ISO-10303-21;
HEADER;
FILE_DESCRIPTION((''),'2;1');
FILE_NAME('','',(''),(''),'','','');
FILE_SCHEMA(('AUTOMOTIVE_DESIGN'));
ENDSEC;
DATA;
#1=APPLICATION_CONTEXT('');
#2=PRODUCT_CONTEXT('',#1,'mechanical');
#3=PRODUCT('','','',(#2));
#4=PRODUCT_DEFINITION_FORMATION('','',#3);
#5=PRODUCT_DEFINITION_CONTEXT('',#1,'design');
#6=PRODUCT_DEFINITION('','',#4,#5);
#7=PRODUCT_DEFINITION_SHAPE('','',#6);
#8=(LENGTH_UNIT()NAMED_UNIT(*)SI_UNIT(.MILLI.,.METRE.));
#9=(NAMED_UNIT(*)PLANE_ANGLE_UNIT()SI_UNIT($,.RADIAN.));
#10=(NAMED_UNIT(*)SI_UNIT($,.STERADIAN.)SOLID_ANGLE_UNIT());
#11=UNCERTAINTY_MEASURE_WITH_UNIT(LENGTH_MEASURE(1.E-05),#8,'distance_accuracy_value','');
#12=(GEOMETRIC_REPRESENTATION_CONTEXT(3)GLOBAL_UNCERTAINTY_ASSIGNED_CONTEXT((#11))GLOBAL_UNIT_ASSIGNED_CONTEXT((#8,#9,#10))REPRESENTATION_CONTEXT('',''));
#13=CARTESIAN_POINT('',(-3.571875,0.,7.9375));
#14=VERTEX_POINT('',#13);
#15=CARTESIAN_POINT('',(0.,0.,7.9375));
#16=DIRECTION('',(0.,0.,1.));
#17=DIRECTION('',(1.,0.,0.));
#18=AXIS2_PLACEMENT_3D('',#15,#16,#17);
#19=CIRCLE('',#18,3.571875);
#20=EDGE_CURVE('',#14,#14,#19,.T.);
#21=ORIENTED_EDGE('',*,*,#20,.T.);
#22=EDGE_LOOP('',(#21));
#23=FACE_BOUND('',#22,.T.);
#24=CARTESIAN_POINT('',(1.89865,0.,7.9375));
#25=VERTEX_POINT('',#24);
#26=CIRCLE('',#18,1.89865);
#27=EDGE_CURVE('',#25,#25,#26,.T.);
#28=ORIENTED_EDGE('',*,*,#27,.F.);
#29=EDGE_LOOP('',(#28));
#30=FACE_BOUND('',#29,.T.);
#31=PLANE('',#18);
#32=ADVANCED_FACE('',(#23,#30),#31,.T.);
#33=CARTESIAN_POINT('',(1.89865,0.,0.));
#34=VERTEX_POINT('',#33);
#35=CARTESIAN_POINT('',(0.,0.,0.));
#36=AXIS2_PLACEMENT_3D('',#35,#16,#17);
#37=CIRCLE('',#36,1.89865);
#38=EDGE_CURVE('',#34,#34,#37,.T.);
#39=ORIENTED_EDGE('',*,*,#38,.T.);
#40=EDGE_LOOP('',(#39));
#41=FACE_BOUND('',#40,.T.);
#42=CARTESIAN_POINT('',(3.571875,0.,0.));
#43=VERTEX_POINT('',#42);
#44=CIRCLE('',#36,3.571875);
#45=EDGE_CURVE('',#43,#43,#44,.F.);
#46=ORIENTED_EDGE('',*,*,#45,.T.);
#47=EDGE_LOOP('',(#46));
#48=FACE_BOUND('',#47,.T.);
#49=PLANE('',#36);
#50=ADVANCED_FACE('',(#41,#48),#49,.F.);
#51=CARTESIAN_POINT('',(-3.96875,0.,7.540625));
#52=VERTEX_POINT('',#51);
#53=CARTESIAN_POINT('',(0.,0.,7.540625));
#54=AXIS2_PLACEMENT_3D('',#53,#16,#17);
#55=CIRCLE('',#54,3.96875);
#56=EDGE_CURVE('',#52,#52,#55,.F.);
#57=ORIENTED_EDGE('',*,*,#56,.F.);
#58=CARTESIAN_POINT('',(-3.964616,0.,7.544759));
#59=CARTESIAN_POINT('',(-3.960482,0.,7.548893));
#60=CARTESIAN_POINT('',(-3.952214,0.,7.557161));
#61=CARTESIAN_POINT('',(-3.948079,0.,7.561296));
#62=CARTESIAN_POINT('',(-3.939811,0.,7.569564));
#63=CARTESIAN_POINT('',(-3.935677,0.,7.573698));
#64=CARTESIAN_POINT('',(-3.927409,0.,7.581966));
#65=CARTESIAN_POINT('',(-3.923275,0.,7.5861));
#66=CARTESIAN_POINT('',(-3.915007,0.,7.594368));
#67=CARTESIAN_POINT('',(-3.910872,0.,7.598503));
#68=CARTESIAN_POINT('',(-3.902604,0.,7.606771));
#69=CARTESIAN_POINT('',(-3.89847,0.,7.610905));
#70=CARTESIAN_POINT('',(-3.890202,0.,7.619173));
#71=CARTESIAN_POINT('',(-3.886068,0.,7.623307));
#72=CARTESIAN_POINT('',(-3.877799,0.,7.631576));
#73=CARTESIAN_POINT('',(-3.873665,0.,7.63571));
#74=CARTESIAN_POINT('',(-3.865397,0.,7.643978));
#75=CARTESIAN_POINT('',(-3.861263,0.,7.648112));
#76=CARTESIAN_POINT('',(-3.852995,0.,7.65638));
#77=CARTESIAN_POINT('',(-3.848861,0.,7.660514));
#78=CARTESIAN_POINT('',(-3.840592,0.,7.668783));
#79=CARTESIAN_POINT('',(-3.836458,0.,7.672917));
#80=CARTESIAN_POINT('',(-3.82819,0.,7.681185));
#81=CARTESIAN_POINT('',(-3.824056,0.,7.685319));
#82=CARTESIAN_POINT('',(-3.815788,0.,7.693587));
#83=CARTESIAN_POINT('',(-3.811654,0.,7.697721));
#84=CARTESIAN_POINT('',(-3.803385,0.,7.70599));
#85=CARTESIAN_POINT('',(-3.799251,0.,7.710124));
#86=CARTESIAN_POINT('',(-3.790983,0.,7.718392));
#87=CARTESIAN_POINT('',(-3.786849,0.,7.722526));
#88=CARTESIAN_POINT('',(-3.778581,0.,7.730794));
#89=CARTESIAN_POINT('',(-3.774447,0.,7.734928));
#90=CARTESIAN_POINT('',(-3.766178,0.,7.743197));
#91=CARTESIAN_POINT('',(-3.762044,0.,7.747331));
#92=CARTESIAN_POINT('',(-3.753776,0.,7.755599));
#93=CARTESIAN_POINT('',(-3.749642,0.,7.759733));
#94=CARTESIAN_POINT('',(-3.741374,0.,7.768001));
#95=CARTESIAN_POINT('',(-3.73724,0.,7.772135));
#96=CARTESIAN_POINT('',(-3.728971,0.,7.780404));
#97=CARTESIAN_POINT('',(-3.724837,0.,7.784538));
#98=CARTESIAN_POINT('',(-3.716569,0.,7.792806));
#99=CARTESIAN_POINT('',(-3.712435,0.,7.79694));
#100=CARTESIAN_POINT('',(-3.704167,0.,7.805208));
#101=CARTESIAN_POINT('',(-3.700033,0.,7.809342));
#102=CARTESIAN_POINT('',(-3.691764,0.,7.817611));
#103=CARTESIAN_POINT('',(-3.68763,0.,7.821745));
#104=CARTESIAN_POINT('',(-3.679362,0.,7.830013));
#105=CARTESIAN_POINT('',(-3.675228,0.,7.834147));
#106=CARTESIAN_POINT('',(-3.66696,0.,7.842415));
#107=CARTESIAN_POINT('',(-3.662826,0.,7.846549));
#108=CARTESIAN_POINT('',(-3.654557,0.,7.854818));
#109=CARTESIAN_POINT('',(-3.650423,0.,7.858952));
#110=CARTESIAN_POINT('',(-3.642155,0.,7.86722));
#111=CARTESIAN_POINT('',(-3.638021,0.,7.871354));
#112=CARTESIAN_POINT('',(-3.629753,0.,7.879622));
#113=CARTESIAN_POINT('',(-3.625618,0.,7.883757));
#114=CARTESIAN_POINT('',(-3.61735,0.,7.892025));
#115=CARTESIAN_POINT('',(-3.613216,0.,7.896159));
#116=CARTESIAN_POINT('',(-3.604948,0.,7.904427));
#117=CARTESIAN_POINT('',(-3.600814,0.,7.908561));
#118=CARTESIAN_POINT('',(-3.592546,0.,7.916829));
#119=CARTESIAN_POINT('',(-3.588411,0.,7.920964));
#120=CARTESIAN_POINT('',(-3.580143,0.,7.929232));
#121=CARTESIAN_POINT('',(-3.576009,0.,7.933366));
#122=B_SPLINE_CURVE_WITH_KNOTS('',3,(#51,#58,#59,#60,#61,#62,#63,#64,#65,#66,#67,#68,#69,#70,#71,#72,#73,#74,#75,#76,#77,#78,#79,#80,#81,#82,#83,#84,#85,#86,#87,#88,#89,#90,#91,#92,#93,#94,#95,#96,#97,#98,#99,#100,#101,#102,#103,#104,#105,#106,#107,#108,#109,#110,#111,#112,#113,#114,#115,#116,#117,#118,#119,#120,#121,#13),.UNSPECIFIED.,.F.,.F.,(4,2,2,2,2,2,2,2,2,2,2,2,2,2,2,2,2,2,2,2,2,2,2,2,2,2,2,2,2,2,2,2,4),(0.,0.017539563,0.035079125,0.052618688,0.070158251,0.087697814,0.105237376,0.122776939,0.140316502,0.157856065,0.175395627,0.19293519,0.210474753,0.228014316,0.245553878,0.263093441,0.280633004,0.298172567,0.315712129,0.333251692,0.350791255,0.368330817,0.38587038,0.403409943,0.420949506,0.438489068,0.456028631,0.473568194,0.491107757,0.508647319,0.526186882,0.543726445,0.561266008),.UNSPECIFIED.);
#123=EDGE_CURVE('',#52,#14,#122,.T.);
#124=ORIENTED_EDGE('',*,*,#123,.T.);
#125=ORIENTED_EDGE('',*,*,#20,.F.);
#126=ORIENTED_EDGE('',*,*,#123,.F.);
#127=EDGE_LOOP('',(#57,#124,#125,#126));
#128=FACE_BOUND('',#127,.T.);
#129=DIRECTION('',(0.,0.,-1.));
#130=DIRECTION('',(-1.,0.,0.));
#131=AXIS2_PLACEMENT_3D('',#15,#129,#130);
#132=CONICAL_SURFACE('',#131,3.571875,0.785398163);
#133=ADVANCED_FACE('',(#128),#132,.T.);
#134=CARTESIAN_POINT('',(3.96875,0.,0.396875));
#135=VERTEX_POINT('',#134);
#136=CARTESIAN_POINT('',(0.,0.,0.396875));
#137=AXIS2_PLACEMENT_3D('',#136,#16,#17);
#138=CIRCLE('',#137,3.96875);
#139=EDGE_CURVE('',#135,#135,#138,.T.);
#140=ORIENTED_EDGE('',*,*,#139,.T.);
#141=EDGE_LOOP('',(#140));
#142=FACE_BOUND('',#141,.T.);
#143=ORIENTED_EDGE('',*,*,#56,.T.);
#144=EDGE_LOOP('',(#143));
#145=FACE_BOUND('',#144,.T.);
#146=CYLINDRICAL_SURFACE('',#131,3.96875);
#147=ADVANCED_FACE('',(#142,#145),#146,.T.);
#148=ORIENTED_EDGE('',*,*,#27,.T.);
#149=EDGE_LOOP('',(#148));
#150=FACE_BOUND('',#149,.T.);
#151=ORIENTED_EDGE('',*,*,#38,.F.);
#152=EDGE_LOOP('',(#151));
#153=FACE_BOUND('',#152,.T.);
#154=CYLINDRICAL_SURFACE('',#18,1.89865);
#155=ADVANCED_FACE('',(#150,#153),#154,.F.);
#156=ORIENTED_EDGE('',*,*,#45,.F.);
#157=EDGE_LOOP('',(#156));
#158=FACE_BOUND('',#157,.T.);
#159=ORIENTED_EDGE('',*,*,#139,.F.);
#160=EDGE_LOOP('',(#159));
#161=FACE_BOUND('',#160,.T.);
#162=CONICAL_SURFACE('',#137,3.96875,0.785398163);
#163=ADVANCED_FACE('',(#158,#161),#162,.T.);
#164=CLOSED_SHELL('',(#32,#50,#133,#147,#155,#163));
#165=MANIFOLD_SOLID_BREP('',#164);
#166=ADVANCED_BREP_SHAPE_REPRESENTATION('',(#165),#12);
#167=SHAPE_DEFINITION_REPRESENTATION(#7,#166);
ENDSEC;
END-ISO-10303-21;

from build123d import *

# Parameters (mm, degrees)
SKETCH1_R              = 3.96875
EXTRUDE1_DEPTH         = 7.9375
CHAMFER1_SIZE          = 0.396875
F_10_24_TAPPED_HOLE1_D = 3.7973


with BuildPart() as part:
    # Sketch1 → Extrude1 (new body)
    with BuildSketch(Plane.XY):
        Circle(SKETCH1_R)
    extrude(amount=EXTRUDE1_DEPTH)

    # Chamfer1
    chamfer1_edges = [part.edges().sort_by_distance(p)[0] for p in [
        (-3.96875, 0, 0),
        (-3.96875, 0, 7.9375),
    ]]
    chamfer(chamfer1_edges, length=CHAMFER1_SIZE)

    # #10-24 Tapped Hole1 (through all)
    with Locations(Plane.XY.offset(7.9375)):
        with Locations((0, 0)):
            Hole(F_10_24_TAPPED_HOLE1_D / 2)


solid = part.part
